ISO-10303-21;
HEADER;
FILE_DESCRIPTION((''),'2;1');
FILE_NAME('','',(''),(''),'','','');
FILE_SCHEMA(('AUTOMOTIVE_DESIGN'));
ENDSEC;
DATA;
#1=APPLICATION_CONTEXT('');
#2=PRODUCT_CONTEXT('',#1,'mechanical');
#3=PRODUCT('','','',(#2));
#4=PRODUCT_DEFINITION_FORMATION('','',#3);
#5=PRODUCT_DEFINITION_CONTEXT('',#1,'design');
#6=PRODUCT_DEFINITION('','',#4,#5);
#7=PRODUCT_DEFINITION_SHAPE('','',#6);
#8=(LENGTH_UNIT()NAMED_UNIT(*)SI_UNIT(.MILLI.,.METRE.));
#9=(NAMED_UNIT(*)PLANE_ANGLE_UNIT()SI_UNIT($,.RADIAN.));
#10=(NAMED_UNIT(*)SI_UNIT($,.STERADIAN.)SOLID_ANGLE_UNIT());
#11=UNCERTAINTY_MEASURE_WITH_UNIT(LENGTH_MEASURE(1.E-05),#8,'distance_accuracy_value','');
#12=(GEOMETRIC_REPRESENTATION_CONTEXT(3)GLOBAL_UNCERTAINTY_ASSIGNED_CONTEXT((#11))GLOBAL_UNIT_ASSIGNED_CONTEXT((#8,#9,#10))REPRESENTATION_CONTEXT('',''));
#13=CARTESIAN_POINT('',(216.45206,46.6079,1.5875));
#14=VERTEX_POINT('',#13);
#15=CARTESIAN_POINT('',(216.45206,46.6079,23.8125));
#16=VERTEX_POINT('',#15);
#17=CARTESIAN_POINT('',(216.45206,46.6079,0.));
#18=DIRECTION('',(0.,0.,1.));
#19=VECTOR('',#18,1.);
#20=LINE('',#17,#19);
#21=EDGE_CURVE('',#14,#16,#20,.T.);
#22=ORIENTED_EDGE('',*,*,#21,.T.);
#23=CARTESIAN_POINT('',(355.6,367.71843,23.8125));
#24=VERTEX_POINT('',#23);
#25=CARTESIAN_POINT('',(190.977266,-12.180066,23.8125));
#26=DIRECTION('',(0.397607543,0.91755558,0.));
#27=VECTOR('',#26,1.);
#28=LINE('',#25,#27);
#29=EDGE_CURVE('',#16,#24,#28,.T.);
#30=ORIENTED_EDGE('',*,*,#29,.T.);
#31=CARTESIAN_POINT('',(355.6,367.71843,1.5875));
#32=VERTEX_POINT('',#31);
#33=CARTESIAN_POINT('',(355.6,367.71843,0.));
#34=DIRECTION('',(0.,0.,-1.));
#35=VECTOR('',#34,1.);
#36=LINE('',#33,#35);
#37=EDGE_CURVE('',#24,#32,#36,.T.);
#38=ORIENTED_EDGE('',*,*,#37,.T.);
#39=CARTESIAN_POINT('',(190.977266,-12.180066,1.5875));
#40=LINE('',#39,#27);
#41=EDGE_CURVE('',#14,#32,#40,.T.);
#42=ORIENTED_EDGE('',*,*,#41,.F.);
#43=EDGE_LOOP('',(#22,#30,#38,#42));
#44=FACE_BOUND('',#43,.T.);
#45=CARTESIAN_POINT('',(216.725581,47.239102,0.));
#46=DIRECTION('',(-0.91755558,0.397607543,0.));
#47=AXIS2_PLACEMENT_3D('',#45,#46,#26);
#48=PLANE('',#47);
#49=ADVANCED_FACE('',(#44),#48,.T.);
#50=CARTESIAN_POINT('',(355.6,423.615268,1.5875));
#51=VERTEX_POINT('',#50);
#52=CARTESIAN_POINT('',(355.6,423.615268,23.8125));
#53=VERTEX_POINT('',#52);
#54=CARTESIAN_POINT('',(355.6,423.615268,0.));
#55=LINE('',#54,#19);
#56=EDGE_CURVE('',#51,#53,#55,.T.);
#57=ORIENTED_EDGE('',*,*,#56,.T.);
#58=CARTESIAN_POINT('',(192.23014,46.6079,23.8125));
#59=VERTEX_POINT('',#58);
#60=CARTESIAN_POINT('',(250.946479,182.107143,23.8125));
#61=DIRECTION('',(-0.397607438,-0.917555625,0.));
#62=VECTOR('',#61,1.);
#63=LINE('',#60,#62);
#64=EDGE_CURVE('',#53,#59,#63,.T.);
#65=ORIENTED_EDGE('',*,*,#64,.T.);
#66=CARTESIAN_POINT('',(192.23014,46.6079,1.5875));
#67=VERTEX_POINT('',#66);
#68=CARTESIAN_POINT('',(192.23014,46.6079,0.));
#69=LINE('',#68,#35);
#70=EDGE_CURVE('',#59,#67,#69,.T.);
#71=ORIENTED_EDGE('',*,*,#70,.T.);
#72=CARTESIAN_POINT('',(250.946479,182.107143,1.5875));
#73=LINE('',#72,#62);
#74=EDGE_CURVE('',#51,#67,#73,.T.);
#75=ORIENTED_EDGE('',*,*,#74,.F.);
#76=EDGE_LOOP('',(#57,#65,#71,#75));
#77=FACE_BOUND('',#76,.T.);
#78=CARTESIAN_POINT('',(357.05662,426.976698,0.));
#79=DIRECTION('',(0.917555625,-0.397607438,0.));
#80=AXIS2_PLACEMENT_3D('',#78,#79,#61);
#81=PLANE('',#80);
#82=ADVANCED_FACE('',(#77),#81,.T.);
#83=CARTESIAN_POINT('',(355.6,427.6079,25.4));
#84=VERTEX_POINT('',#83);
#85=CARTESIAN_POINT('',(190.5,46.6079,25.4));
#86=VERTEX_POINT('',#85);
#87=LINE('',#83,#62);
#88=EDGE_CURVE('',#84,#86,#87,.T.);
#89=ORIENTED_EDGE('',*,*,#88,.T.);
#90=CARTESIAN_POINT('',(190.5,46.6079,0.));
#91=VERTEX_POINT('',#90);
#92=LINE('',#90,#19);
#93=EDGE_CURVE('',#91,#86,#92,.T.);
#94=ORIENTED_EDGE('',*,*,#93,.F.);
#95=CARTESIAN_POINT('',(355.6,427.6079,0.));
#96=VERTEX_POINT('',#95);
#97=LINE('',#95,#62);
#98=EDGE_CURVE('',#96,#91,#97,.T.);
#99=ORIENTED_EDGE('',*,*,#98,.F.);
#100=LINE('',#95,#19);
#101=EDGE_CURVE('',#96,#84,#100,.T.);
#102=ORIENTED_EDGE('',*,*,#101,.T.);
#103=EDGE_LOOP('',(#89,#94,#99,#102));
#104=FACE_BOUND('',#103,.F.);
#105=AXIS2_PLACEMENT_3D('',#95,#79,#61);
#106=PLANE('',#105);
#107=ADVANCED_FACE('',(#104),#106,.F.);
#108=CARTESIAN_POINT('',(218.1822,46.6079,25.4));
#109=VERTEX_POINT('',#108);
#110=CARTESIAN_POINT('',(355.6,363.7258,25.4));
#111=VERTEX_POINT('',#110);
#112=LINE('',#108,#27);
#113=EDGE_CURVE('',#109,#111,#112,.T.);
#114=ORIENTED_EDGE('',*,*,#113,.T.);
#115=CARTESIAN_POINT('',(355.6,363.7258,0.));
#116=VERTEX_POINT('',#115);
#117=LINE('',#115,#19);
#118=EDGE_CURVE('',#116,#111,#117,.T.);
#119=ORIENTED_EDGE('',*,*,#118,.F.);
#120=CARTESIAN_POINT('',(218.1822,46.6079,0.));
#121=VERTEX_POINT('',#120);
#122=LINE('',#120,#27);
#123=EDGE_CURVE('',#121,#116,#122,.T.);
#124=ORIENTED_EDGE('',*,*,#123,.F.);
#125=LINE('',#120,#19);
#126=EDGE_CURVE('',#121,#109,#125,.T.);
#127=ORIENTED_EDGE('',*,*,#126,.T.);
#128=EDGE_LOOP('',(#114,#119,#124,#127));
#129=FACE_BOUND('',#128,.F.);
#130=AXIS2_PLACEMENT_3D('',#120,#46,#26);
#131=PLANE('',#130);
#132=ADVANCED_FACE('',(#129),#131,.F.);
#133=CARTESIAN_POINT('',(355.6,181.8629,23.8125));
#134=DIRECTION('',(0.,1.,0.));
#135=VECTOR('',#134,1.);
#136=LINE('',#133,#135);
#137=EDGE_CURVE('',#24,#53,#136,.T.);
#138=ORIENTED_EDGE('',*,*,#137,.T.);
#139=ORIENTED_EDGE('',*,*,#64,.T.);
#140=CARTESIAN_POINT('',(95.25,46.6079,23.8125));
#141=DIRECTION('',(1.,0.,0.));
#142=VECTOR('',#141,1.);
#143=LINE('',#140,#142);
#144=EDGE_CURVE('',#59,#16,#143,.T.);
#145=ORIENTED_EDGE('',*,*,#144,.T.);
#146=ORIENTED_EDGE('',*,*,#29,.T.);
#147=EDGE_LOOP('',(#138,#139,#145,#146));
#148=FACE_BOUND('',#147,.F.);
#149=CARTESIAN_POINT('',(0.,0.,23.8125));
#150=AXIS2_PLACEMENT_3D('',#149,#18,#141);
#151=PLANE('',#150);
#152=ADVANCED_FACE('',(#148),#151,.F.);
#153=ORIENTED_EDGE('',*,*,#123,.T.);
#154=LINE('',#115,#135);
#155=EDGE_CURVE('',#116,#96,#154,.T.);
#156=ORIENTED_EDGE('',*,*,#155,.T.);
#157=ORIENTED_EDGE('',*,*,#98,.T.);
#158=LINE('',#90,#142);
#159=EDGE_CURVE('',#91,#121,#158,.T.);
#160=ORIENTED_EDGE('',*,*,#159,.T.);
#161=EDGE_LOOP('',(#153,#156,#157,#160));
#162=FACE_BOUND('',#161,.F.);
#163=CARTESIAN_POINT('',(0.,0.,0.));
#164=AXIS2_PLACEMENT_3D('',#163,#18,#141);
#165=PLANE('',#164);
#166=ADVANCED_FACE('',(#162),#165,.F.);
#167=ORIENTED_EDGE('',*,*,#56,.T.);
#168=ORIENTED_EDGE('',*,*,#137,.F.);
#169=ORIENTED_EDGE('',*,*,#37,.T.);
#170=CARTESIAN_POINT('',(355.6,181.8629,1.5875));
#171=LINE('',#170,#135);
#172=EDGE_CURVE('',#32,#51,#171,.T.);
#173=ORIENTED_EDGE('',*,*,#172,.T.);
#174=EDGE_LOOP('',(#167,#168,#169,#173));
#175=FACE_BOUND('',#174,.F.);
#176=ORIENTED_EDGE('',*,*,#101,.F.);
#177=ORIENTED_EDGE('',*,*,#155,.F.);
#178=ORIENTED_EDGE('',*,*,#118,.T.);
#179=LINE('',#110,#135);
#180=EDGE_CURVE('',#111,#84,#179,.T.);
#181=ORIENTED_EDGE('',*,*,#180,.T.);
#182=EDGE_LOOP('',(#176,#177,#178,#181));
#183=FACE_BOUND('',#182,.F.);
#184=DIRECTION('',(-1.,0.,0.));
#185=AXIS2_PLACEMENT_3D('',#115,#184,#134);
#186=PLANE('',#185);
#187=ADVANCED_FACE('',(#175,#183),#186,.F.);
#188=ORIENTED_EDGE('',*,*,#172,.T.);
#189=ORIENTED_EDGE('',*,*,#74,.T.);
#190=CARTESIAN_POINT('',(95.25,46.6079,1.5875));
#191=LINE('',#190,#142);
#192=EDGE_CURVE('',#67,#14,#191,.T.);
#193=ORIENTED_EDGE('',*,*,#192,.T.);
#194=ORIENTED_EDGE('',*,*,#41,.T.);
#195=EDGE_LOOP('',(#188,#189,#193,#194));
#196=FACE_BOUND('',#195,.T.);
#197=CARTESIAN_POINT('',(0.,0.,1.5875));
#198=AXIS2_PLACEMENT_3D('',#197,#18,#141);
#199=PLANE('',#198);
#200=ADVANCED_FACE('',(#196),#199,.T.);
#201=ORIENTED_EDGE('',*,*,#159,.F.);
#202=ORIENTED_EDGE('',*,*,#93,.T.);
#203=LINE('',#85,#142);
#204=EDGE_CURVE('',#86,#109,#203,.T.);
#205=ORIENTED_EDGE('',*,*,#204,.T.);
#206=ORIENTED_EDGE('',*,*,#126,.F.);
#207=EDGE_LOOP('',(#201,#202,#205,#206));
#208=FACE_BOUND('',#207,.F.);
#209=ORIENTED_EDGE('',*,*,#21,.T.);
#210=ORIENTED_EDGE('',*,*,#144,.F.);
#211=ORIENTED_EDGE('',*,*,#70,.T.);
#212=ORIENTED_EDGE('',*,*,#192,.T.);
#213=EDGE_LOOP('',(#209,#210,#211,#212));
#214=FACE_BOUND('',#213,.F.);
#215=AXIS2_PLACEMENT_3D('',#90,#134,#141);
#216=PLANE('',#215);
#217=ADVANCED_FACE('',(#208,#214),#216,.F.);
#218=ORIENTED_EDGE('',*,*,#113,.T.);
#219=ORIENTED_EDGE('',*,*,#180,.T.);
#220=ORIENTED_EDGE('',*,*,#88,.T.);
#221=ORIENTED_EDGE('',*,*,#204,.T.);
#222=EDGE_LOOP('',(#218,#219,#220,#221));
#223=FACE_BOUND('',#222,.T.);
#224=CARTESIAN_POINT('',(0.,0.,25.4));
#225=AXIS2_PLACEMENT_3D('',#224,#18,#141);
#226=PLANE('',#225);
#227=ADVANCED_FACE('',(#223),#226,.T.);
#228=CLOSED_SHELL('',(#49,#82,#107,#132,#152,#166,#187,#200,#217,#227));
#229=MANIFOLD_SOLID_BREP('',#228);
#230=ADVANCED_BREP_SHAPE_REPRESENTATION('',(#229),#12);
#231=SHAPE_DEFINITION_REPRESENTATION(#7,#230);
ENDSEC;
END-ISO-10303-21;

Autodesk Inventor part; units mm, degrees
ref_plane "YZ Plane" through (0, 0, 0) normal (1, 0, 0) x (0, 1, 0)
ref_plane "XZ Plane" through (0, 0, 0) normal (0, 1, 0) x (-1, 0, 0)
ref_plane "XY Plane" through (0, 0, 0) normal (0, 0, 1) x (1, 0, 0)
sketch "Sketch1" plane through (0, 0, 0) normal (0, 0, 1) x (1, 0, 0)
  line L0 (190.5, 46.6079) -> (218.1822, 46.6079)
  line L1 (218.1822, 46.6079) -> (355.6, 363.7258)
  line L2 (355.6, 363.7258) -> (355.6, 427.6079)
  line L3 (355.6, 427.6079) -> (190.5, 46.6079)
  line L4 (218.1822, 46.6079) -> (355.6, 46.6079) construction
  line L5 (355.6, 46.6079) -> (355.6, 363.7258) construction
  point P0 (0, 0)
  dimension "d0" = 381
  dimension "d2" = 25.4
  dimension "d3" = 165.1
extrude "Extrusion1" add sketch "Sketch1" along normal blind 25.4
shell "Shell1" thickness 1.5875 removed faces 2 at (355.6, 385.0199, 8.4667) at (199.7274, 46.6079, 8.4667)
properties part number "Frame_MainVerticalAngleSupport" material "Aluminum-6061"
